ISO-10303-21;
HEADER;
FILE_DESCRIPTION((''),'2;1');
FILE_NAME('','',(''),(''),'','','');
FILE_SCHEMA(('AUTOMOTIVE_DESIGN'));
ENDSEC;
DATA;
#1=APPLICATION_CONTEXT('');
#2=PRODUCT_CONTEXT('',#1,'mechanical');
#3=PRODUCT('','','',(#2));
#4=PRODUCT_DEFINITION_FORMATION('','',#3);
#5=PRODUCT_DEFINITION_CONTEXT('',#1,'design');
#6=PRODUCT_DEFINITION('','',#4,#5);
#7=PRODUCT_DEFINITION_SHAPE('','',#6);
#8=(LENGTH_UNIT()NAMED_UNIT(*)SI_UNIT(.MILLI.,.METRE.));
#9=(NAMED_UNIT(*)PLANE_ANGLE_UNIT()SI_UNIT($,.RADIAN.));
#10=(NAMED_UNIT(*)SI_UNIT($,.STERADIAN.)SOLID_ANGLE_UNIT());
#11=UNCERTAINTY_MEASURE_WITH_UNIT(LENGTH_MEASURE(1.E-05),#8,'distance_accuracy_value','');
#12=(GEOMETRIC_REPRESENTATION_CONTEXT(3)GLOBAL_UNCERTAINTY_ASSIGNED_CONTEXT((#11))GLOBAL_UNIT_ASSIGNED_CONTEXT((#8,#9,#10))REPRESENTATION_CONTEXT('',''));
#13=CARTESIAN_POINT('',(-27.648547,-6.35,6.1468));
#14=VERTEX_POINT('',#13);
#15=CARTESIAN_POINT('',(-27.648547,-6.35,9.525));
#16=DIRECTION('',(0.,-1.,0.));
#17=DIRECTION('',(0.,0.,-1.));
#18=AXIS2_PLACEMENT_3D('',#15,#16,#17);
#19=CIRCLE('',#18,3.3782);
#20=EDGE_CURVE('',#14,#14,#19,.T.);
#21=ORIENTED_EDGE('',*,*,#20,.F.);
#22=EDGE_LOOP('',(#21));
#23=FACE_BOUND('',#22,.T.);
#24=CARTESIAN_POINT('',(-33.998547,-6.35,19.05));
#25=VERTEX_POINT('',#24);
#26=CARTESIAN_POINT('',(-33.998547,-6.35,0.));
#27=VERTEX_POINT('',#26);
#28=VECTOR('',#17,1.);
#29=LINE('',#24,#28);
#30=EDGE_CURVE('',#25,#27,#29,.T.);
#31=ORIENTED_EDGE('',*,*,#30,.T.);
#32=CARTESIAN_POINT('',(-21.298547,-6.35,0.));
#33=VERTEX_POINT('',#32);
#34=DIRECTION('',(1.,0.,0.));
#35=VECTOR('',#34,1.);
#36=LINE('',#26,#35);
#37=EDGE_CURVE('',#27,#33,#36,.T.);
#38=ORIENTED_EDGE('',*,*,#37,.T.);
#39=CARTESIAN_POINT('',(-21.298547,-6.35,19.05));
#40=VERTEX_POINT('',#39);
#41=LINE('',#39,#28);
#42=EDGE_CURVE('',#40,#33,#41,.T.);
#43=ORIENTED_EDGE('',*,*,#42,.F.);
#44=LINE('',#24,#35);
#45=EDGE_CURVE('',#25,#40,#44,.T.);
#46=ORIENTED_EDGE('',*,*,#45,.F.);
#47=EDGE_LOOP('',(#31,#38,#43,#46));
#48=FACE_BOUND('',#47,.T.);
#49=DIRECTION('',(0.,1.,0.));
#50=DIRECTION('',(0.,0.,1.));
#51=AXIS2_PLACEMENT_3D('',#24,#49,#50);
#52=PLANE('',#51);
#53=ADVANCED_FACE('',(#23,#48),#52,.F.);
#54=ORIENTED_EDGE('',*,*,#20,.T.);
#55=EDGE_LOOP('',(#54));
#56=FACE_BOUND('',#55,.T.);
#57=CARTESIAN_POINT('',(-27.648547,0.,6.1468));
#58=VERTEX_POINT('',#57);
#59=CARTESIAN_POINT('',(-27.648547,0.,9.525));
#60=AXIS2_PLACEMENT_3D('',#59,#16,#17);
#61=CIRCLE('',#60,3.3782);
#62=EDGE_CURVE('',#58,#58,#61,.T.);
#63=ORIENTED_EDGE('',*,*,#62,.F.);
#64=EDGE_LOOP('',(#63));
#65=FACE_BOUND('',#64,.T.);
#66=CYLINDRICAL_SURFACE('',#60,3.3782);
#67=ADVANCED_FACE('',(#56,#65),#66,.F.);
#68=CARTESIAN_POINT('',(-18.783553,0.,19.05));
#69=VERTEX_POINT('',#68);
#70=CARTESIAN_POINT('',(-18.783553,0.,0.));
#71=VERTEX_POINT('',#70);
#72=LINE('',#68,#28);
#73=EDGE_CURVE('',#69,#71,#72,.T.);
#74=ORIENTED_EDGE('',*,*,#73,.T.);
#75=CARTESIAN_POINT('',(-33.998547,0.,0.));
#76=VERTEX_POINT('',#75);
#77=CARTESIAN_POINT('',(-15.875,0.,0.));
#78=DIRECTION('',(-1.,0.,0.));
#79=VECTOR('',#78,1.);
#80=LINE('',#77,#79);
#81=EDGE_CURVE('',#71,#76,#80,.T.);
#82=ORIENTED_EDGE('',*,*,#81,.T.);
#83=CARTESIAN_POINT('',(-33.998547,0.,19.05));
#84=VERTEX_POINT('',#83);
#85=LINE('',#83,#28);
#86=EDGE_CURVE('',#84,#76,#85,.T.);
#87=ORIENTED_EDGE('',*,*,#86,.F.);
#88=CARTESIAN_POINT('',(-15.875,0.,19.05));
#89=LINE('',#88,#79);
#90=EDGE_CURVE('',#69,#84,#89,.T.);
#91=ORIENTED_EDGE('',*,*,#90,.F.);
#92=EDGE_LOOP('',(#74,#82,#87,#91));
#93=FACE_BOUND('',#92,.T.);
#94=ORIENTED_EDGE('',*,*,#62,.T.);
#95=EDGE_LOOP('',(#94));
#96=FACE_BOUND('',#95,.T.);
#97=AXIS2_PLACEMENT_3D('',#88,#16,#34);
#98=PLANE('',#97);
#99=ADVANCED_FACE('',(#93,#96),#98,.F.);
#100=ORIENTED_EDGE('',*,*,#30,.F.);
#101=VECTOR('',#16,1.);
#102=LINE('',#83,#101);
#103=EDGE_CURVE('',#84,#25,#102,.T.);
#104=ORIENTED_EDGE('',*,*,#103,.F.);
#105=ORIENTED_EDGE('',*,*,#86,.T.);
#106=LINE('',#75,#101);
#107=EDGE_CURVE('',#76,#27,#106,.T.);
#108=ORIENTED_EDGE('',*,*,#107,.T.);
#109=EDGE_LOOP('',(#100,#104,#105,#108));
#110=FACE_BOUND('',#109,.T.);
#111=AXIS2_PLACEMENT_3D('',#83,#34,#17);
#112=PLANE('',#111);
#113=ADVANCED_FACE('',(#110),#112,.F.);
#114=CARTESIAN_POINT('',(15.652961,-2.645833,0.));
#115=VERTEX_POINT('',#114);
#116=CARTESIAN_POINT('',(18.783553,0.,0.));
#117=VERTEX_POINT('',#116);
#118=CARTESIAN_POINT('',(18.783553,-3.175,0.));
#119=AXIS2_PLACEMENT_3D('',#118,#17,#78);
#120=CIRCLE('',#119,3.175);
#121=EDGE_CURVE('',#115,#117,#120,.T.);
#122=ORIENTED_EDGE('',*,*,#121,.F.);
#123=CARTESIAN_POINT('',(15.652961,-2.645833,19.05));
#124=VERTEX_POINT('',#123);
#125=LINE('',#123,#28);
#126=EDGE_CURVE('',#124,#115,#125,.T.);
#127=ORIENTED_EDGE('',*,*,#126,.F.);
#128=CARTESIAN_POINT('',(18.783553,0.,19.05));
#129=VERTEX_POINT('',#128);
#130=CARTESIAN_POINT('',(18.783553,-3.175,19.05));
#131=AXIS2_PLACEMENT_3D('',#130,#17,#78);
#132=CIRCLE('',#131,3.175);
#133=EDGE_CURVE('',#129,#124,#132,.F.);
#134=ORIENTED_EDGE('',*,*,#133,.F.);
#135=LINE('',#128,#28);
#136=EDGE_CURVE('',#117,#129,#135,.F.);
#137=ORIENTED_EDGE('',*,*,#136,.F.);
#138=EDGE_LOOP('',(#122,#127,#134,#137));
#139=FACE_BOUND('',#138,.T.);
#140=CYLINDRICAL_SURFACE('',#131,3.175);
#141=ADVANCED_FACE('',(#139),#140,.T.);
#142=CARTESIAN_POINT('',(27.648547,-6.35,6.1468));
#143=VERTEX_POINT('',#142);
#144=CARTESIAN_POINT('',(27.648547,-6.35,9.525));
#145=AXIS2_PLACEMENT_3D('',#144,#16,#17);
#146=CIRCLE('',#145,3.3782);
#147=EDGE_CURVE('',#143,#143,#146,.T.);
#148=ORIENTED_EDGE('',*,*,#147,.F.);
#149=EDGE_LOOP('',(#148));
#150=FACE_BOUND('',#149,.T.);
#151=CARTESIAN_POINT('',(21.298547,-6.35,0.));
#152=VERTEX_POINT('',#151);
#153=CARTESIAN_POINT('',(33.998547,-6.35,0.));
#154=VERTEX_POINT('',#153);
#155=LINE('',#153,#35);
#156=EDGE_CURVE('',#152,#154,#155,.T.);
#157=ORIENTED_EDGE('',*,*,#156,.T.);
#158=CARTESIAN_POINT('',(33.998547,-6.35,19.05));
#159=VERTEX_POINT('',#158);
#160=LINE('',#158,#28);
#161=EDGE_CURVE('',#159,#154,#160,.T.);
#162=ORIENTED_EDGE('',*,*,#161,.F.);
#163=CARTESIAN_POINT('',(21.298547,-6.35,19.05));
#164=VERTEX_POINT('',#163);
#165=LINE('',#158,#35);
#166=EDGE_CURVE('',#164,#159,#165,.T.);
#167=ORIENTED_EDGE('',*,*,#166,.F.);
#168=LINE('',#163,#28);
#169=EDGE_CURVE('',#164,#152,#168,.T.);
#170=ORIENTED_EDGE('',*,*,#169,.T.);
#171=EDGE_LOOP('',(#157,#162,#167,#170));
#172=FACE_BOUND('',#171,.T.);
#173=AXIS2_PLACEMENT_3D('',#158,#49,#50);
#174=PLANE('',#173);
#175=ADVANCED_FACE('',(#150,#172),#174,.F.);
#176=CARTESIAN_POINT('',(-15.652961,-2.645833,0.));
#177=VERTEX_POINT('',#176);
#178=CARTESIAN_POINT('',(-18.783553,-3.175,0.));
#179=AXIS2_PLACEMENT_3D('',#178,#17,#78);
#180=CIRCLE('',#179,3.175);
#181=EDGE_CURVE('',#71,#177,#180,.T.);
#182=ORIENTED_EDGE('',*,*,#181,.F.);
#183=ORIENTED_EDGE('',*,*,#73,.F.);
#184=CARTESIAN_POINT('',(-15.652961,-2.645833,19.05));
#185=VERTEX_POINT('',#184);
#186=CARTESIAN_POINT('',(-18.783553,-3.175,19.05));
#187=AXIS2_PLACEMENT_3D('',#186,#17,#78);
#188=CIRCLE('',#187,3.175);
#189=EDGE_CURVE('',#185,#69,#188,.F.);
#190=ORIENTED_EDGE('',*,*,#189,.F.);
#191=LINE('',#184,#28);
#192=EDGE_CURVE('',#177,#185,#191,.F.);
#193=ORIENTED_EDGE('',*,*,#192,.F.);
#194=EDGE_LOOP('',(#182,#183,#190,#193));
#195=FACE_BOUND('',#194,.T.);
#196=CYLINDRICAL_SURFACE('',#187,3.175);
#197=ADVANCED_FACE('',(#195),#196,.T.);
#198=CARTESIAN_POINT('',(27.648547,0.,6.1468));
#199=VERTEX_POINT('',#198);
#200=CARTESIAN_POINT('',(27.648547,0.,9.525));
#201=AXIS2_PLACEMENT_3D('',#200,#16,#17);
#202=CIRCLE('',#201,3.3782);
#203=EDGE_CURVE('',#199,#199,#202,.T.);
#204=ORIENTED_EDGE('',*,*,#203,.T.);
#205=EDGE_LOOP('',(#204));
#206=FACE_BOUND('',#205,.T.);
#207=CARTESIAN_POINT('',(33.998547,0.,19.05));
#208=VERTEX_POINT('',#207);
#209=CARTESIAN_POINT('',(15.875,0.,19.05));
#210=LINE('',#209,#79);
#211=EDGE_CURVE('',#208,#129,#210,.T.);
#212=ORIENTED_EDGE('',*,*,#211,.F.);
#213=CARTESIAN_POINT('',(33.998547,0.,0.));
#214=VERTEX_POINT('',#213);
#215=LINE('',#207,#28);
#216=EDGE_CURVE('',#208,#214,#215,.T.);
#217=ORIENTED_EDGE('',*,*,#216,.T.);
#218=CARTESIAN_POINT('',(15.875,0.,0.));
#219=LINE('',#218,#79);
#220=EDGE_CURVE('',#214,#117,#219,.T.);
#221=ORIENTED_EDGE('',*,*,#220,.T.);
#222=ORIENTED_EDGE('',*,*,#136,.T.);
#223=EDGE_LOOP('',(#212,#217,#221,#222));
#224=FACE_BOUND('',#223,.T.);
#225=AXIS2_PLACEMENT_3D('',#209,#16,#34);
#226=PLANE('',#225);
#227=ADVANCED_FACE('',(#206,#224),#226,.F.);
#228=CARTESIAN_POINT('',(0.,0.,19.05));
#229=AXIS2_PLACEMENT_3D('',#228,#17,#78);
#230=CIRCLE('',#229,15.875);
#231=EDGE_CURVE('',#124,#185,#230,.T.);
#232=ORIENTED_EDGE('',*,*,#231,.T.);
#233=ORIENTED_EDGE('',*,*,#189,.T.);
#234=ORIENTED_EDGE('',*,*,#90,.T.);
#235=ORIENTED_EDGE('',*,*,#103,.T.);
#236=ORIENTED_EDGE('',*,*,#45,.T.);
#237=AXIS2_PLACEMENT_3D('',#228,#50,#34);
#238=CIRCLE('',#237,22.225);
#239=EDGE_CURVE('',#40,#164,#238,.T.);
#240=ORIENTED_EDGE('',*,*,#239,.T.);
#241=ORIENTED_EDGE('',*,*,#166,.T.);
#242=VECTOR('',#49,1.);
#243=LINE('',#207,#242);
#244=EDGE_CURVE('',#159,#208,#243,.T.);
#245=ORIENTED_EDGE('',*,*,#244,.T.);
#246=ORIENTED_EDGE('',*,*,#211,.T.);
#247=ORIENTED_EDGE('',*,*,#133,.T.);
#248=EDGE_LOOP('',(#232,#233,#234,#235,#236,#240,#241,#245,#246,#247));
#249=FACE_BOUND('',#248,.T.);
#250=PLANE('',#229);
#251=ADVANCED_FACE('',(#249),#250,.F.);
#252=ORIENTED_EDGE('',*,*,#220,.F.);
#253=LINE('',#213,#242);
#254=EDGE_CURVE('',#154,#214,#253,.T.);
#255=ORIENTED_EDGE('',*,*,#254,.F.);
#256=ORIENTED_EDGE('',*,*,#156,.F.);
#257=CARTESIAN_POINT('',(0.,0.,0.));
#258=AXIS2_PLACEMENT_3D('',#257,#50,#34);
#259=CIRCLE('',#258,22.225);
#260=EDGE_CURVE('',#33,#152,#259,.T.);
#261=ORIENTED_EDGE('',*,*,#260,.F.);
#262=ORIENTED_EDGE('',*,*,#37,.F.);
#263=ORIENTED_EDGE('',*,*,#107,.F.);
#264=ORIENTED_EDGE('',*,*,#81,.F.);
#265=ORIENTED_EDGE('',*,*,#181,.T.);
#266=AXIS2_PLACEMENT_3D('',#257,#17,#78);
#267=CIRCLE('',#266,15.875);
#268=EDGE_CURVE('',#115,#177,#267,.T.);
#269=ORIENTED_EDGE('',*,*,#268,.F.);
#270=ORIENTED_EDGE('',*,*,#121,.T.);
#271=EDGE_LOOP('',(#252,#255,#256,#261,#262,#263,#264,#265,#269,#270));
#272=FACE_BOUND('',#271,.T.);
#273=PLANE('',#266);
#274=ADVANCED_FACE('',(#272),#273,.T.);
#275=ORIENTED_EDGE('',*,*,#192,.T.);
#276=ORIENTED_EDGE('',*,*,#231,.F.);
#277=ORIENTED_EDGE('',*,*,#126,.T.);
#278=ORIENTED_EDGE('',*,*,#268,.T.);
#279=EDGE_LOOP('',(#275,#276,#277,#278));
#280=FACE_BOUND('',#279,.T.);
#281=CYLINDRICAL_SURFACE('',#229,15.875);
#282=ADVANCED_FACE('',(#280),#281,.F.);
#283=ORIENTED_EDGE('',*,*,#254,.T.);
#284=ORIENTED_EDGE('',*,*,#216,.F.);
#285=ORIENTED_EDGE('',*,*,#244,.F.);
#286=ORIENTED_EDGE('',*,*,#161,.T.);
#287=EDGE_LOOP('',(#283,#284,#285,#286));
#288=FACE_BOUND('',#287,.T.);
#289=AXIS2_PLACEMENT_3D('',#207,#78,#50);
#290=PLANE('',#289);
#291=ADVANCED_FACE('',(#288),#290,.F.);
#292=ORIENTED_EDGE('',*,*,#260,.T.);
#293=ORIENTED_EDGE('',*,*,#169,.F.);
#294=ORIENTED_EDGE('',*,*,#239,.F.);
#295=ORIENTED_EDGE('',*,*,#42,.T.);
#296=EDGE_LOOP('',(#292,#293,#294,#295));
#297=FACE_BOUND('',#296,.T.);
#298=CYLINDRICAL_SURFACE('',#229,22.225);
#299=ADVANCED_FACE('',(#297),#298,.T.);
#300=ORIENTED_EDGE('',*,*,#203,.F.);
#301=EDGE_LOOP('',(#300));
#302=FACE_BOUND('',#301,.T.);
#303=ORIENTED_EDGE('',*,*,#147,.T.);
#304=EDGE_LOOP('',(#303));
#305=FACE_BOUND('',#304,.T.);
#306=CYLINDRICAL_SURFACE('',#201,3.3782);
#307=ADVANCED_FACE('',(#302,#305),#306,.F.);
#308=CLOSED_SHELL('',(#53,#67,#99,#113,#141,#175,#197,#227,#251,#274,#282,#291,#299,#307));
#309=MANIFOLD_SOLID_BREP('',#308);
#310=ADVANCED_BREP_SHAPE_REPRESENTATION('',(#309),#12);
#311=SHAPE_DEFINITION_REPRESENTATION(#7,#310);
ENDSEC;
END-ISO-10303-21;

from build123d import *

# Parameters (mm, degrees)
BOSS_EXTRUDE1_DEPTH = 19.05
SKETCH2_R           = 3.3782
CUT_EXTRUDE1_DEPTH  = 43.081104502
FILLET1_R           = 3.175


with BuildPart() as part:
    # Sketch1 → Boss-Extrude1 (new body)
    with BuildSketch(Plane.XY):
        with BuildLine():
            Line((-15.875, 0), (-33.998547486, 0))
            Line((-33.998547486, 0), (-33.998547486, -6.35))
            Line((-33.998547486, -6.35), (-21.298547486, -6.35))
            ThreePointArc((-21.298547486, -6.35), (0, -22.225), (21.298547486, -6.35))
            Line((21.298547486, -6.35), (33.998547486, -6.35))
            Line((33.998547486, -6.35), (33.998547486, 0))
            Line((33.998547486, 0), (15.875, 0))
            ThreePointArc((15.875, 0), (0, -15.875), (-15.875, 0))
        make_face()
    extrude(amount=BOSS_EXTRUDE1_DEPTH)

    # Sketch2 → Cut-Extrude1 (cut, through all)
    with BuildSketch(Plane.XZ.offset(6.35)):
        with Locations(Location((27.648547486, 9.525, 0), (0, 0, 270))):
            Circle(SKETCH2_R)
        with Locations(Location((-27.648547486, 9.525, 0), (0, 0, 270))):
            Circle(SKETCH2_R)
    extrude(amount=-CUT_EXTRUDE1_DEPTH, mode=Mode.SUBTRACT)

    # Fillet1
    fillet1_edges = [part.edges().sort_by_distance(p)[0] for p in [
        (15.875, 0, 9.525),
        (-15.875, 0, 9.525),
    ]]
    fillet(fillet1_edges, radius=FILLET1_R)


solid = part.part
